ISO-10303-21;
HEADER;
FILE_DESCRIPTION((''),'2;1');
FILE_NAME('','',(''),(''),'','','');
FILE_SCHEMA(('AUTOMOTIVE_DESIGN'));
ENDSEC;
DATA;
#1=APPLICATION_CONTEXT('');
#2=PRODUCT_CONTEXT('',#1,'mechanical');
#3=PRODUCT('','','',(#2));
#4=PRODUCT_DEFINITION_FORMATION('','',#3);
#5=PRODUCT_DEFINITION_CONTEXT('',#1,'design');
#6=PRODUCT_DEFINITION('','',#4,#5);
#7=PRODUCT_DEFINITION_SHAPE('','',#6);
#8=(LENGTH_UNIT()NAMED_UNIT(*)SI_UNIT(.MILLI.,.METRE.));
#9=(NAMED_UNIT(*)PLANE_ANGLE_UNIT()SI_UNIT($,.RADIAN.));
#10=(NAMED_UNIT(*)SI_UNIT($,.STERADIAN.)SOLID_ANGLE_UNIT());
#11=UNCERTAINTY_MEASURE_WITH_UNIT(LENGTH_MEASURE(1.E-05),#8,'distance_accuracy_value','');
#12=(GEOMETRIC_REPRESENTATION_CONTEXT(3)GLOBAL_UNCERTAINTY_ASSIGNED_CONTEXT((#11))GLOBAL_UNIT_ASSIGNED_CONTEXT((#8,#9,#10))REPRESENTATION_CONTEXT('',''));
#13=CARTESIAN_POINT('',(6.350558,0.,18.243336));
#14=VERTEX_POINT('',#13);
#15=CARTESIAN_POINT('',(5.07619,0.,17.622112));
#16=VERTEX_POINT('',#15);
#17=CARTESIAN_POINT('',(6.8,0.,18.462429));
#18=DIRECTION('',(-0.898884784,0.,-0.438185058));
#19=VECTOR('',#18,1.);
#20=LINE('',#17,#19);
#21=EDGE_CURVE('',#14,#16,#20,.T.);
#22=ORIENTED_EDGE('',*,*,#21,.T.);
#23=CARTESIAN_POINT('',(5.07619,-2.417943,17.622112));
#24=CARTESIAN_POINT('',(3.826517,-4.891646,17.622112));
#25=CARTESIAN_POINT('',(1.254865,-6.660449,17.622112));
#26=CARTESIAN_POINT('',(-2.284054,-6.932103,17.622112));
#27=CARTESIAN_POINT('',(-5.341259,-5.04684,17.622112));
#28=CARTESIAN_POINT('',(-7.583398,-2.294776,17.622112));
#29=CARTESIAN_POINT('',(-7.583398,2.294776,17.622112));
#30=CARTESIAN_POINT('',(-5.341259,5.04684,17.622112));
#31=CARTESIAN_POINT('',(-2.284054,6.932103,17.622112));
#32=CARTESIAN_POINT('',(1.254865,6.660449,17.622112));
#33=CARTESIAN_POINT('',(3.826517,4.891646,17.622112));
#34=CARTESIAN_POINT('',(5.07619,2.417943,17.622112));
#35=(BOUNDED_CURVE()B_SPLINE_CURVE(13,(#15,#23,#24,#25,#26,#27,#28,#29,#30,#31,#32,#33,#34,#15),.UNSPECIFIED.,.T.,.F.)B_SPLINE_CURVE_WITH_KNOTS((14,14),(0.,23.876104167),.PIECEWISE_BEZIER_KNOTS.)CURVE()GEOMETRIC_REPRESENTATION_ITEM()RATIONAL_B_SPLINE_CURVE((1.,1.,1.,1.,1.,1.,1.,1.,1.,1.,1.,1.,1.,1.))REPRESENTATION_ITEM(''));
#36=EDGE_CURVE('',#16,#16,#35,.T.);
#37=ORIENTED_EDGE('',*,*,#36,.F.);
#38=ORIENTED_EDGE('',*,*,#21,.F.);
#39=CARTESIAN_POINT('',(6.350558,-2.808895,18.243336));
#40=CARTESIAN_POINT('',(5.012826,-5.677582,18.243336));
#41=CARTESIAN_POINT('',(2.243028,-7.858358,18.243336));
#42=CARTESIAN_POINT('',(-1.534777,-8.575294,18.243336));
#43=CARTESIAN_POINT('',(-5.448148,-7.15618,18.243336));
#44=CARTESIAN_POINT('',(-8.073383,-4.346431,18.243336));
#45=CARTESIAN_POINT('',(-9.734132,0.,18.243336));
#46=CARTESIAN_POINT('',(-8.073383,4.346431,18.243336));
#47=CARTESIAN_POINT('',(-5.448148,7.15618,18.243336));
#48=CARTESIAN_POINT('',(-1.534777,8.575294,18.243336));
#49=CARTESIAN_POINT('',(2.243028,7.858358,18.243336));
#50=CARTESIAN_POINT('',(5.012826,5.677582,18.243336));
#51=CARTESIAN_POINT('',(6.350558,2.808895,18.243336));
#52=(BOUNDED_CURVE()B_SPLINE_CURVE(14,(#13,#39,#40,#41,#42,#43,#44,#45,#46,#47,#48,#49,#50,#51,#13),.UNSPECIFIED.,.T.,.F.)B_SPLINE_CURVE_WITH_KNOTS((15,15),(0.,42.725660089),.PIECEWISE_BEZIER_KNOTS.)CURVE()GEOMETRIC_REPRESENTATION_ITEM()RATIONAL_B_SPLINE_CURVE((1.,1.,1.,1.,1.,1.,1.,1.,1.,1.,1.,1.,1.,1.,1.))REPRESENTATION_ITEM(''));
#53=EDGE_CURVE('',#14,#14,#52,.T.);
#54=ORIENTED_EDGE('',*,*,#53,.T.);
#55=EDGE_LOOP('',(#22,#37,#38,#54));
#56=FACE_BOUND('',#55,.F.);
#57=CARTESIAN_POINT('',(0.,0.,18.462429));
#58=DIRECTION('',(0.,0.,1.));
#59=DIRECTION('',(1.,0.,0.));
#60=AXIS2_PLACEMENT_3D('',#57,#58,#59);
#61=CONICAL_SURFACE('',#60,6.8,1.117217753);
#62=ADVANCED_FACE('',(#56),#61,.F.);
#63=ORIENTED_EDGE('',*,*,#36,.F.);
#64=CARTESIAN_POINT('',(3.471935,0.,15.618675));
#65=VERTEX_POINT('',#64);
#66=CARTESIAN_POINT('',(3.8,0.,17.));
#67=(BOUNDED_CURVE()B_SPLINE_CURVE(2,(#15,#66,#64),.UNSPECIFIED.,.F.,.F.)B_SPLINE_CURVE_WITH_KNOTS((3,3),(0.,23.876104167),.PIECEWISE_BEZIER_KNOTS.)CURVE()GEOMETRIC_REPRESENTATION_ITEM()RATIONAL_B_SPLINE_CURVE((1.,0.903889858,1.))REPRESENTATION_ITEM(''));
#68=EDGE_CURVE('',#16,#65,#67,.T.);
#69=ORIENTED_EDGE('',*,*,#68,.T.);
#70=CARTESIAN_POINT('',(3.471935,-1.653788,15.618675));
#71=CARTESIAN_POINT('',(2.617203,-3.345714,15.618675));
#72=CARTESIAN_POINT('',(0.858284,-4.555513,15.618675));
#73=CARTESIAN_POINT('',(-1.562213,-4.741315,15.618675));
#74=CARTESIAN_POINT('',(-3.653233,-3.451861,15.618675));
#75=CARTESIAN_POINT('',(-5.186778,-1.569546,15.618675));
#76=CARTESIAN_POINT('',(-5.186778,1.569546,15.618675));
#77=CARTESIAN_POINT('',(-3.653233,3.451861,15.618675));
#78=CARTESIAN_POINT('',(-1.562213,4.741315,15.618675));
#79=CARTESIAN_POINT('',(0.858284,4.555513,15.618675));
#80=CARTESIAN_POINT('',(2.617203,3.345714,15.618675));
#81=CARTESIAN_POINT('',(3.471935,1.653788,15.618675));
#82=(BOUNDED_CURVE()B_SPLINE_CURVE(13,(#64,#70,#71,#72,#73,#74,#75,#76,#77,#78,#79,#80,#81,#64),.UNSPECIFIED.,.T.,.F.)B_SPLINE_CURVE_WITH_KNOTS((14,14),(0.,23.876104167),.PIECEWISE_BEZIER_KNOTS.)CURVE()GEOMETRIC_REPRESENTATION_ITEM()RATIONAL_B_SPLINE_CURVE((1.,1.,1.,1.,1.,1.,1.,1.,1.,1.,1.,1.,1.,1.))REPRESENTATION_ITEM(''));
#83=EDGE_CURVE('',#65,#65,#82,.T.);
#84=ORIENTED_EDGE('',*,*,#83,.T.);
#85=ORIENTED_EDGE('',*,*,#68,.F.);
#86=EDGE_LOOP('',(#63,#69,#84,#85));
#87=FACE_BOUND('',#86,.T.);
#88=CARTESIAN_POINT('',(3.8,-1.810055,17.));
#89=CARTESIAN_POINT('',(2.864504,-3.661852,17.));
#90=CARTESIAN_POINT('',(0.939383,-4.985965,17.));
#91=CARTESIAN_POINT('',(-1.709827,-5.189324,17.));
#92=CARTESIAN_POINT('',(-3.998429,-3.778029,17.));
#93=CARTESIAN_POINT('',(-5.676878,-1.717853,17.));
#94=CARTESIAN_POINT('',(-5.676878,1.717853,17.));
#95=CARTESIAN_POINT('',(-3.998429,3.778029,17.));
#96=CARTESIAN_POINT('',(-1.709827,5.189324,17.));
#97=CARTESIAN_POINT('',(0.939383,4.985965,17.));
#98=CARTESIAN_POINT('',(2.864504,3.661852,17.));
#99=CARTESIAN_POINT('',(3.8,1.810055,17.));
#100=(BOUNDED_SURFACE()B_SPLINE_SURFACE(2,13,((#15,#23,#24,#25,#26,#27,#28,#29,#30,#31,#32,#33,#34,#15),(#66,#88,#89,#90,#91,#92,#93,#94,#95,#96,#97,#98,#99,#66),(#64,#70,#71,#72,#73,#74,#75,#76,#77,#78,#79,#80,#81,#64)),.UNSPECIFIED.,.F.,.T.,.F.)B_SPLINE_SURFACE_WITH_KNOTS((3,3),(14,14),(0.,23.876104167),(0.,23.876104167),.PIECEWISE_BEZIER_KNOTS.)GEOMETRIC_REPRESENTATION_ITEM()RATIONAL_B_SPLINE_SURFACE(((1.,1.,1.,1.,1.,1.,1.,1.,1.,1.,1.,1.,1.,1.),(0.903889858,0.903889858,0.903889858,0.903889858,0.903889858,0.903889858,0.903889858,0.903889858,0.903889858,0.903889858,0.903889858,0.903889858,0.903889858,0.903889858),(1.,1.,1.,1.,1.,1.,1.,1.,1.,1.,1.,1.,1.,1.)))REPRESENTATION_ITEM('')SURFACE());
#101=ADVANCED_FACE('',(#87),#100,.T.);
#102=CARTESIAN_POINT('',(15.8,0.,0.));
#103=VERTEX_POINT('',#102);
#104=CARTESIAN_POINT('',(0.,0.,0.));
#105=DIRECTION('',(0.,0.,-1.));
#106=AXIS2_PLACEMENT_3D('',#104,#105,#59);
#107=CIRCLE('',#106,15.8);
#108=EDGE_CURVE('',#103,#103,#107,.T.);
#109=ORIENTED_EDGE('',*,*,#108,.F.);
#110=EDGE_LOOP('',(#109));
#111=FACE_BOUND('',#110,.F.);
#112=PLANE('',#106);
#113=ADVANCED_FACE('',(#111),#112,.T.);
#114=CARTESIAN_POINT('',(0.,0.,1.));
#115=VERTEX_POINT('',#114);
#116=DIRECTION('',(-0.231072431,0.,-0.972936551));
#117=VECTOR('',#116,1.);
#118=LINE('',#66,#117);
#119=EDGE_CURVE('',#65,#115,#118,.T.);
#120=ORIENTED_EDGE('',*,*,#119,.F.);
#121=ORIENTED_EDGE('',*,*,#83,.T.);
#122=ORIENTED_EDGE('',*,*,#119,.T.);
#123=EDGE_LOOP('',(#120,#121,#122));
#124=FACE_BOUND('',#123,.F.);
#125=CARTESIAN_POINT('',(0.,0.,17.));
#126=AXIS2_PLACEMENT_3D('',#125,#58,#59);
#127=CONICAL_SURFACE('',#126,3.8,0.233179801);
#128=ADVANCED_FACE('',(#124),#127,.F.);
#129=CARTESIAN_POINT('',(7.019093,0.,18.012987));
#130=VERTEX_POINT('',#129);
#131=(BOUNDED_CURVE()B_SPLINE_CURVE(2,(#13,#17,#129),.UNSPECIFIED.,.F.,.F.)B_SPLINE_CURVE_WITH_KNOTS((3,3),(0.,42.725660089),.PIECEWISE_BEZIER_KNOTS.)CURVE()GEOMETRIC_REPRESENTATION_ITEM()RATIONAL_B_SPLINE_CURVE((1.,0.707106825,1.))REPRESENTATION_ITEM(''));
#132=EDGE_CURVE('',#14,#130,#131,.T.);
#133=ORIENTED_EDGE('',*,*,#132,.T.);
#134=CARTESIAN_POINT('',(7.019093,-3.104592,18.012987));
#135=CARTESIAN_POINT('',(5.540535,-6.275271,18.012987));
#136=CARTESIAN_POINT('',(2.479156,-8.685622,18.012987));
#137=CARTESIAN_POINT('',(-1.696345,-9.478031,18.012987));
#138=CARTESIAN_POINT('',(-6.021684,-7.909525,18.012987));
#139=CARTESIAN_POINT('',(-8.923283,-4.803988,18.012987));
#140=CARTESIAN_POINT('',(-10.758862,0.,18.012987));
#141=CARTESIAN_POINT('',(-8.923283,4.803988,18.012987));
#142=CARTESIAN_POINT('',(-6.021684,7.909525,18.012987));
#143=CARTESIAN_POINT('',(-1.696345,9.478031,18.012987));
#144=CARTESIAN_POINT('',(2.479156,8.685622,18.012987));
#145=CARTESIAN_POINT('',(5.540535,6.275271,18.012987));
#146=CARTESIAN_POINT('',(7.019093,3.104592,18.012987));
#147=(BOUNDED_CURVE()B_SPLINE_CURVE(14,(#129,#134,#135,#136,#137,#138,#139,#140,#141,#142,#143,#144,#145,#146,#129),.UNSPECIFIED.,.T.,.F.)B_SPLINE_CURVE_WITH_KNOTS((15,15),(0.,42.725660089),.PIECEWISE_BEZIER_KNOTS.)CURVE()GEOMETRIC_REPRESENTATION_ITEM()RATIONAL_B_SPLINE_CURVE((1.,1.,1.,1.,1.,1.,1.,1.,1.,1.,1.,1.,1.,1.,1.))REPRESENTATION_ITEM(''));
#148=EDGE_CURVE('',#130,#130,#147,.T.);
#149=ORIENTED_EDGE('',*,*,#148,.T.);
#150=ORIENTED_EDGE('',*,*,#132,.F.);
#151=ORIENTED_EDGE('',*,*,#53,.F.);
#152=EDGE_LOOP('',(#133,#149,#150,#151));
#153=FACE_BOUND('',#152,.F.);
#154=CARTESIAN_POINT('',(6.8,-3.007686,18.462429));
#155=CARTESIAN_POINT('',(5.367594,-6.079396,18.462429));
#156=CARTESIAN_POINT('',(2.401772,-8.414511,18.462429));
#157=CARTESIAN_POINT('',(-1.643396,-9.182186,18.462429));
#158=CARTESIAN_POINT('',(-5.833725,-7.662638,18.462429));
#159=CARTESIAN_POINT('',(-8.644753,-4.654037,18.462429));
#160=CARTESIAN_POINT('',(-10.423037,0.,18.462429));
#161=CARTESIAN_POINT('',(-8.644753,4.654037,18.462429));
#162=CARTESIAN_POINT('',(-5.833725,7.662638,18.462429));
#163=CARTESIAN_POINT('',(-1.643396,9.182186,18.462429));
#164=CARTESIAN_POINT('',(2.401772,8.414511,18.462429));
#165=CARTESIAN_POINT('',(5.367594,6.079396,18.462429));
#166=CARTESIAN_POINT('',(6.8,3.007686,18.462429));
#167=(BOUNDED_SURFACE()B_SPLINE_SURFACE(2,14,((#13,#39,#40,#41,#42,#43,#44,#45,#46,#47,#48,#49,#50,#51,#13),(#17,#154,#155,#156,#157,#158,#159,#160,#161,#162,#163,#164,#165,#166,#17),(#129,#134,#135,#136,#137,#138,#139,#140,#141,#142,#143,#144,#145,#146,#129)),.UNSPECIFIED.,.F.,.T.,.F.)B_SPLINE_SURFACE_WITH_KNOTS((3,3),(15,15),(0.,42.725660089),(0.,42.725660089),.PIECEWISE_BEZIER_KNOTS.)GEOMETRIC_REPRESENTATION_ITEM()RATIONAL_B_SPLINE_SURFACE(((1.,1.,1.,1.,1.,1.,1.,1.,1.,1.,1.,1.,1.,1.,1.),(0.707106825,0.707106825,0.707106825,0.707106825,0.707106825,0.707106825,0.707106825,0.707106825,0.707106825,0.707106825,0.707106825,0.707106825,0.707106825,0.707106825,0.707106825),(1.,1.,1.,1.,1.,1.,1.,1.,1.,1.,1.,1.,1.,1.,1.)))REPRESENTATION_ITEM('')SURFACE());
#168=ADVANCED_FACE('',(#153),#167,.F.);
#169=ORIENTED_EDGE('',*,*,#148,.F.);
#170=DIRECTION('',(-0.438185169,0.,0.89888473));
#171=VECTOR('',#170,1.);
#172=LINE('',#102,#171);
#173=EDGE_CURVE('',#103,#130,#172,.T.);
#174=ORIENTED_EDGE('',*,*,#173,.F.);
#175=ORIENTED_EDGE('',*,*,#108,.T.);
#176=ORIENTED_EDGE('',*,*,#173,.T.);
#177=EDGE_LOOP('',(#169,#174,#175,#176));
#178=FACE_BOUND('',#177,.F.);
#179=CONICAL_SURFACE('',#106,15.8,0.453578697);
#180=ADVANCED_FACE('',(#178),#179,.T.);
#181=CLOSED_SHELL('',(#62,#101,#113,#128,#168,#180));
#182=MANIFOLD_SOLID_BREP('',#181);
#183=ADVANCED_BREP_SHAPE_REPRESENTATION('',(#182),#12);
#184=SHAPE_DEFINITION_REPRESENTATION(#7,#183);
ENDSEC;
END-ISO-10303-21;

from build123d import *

# Parameters (mm, degrees)
F2_R = 3
F3_R = 0.5


with BuildPart() as f1:
    # F0 (on Front) → F1 (revolve)
    with BuildSketch(Plane.XZ):
        Polygon((0, 1), (0, 0), (15.8, 0), (6.8, 18.462429), (3.8, 17), align=None)
    revolve(axis=Axis((0, 0, 0.5), (0, 0, -1)))

    # F2
    f2_edges = [f1.edges().sort_by_distance(p)[0] for p in [
        (-3.8, 0, 17),
        (1.9, 0, 9),
    ]]
    fillet(f2_edges, radius=F2_R)

    # F3
    f3_edges = [f1.edges().sort_by_distance(p)[0] for p in [
        (-6.8, 0, 18.462429),
    ]]
    fillet(f3_edges, radius=F3_R)


solid = f1.part
